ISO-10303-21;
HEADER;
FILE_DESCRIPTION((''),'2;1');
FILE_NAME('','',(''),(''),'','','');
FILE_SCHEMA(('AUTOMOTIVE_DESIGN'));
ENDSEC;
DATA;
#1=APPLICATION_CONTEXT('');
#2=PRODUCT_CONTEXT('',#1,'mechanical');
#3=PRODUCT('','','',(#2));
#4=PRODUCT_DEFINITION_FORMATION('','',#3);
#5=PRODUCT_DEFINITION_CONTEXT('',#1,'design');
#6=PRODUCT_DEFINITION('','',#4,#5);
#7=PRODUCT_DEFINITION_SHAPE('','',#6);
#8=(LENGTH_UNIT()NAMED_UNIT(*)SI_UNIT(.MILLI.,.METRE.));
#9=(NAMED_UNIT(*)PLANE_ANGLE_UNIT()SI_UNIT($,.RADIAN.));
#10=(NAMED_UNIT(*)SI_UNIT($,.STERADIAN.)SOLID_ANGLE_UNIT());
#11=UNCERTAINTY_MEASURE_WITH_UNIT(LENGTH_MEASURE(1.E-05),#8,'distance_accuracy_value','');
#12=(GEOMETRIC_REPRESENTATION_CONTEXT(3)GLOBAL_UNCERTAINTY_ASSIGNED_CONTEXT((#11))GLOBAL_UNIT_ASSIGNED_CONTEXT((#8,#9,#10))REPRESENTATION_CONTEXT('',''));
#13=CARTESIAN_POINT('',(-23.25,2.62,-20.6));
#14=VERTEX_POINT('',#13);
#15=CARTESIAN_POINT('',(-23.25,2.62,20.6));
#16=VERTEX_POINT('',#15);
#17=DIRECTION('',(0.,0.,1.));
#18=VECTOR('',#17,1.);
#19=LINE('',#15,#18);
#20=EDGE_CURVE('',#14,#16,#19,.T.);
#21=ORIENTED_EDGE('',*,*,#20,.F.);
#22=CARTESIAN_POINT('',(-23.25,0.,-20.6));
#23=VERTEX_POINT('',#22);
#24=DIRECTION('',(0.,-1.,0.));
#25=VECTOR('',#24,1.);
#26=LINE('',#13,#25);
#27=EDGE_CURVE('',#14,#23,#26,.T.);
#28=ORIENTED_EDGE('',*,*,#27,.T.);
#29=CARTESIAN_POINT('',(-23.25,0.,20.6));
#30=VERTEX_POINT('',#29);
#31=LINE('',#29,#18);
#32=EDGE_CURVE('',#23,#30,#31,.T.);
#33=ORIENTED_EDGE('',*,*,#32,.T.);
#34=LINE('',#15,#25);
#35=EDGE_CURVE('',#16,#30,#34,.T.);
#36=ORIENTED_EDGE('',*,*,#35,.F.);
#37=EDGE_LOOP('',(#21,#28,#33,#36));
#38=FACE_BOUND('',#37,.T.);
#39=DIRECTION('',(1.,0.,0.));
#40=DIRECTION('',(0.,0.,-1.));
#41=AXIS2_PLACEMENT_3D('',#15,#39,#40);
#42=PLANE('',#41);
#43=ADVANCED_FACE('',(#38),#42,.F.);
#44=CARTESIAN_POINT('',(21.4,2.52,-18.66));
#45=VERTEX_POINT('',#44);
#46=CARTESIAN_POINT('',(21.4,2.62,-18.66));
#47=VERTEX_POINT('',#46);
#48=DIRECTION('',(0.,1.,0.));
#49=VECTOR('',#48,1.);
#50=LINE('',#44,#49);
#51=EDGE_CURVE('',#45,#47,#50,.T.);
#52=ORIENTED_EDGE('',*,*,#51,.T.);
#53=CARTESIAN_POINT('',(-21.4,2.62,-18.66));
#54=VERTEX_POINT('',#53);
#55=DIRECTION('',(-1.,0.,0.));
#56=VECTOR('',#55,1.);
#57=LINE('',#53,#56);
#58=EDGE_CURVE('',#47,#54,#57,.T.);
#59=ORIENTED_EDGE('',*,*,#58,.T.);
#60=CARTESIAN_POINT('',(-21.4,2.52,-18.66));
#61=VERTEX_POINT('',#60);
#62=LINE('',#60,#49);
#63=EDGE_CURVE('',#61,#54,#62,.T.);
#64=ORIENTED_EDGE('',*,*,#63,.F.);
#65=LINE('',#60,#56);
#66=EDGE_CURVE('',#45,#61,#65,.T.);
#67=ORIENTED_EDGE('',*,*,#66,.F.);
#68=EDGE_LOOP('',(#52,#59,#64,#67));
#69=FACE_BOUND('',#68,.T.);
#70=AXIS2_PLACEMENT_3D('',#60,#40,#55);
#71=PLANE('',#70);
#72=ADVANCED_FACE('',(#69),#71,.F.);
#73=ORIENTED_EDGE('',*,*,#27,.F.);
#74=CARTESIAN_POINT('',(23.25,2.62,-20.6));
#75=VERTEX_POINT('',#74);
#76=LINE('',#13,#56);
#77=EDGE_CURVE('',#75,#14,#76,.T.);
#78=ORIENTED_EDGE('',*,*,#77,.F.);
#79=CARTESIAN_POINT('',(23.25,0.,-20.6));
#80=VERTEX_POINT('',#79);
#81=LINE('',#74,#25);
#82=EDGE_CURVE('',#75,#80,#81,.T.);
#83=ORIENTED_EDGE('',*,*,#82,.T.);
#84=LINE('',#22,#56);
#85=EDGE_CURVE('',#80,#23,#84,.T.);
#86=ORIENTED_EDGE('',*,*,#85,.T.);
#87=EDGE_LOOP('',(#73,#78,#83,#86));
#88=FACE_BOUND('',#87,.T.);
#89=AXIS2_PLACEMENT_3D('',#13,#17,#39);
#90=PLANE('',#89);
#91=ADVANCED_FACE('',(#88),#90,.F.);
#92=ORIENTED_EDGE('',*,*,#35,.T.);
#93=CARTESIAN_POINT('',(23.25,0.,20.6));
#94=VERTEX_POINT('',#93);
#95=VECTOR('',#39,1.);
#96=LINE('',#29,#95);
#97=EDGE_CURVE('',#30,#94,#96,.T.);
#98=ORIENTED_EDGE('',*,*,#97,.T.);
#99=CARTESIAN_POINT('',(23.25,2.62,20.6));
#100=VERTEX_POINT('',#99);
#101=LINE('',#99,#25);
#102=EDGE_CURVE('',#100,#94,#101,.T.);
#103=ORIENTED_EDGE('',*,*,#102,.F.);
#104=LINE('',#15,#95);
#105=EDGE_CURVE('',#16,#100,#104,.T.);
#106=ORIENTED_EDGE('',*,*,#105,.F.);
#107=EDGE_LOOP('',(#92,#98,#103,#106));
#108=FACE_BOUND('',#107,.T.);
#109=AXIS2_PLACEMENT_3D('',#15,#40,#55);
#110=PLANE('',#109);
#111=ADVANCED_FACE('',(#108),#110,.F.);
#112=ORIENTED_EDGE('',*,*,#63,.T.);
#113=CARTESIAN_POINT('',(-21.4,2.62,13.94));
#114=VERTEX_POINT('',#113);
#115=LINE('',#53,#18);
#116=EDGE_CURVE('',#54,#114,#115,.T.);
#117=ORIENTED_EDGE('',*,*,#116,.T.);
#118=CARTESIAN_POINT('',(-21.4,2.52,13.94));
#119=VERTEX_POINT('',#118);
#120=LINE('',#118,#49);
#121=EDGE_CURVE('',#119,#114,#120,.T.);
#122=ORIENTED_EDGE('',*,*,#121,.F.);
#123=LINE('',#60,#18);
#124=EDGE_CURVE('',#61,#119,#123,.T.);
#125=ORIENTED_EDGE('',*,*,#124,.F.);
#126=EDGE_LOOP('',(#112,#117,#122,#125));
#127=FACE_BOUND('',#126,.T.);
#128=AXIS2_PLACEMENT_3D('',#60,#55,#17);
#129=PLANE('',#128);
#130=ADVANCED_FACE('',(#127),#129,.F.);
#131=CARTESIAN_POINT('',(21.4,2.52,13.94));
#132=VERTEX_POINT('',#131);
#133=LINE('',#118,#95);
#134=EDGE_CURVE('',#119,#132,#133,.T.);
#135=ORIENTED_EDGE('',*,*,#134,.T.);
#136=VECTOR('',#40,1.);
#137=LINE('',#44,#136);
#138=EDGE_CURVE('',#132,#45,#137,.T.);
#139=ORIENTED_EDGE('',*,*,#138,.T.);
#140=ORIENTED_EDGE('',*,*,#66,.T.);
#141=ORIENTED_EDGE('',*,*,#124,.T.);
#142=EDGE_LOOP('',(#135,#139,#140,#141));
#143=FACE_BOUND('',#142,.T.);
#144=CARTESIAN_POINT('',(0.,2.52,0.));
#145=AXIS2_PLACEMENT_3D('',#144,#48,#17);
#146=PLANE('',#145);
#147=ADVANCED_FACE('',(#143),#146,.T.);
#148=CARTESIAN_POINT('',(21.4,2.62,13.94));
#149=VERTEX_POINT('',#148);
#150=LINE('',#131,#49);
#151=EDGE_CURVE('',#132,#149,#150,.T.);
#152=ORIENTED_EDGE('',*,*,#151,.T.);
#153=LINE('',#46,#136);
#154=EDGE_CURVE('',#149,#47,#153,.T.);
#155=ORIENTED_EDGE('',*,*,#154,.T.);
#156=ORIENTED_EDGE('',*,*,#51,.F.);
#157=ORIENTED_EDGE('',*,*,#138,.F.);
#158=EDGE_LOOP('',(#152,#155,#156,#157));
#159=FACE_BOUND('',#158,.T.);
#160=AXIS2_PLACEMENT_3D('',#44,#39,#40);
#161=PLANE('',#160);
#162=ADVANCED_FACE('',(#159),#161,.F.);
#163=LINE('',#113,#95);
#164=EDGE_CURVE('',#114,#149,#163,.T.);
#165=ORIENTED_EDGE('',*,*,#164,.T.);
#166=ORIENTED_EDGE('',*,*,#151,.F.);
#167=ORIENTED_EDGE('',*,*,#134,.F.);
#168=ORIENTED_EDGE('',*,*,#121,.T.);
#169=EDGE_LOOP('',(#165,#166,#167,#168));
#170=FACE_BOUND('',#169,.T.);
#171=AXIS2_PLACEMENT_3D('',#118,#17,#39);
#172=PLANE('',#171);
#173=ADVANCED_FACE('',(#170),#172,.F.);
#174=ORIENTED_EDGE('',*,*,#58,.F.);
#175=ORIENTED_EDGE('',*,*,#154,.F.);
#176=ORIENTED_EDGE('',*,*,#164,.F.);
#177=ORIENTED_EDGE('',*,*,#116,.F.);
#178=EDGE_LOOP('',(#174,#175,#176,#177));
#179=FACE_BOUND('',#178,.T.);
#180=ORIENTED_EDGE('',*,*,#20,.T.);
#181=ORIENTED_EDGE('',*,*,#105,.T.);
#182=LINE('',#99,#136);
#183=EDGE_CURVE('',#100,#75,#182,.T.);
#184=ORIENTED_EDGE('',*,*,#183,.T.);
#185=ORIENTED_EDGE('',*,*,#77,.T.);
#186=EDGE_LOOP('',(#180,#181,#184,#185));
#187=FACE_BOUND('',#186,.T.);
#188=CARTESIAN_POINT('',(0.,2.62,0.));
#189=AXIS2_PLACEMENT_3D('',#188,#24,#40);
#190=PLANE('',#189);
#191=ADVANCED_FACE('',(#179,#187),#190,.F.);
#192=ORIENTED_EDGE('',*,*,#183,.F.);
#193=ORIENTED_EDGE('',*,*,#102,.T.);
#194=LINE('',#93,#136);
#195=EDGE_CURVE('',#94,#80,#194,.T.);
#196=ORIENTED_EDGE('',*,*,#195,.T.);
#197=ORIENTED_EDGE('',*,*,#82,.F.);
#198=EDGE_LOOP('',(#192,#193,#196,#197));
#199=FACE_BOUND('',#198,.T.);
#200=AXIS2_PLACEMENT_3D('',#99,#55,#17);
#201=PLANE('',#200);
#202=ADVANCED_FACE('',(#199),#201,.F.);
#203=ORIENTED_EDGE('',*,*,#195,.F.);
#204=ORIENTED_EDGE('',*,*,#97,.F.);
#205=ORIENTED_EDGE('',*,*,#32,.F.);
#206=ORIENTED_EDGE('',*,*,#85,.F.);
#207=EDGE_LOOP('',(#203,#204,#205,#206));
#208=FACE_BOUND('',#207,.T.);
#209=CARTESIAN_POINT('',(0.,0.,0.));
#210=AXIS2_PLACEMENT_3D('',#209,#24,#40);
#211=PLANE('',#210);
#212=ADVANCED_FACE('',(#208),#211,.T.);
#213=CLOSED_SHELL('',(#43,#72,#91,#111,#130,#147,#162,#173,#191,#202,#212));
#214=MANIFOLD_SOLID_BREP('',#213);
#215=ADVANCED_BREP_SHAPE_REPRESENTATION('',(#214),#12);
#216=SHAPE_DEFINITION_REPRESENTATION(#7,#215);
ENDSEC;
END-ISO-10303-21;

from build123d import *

# Parameters (mm, degrees)
SKETCH1_W           = 46.5
SKETCH1_H           = 41.2
BOSS_EXTRUDE1_DEPTH = 2.62
SKETCH2_W           = 42.8
SKETCH2_H           = 32.6
CUT_EXTRUDE1_DEPTH  = 0.1


with BuildPart() as part:
    # Sketch1 → Boss-Extrude1 (new body)
    with BuildSketch(Plane(origin=(0, 0, 0), x_dir=(1, 0, 0), z_dir=(0, 1, 0))):
        Rectangle(SKETCH1_W, SKETCH1_H)
    extrude(amount=BOSS_EXTRUDE1_DEPTH)

    # Sketch2 → Cut-Extrude1 (cut)
    with BuildSketch(Plane(origin=(0, 2.62, 0), x_dir=(1, 0, 0), z_dir=(0, 1, 0))):
        with Locations((0, 2.36)):
            Rectangle(SKETCH2_W, SKETCH2_H)
    extrude(amount=-CUT_EXTRUDE1_DEPTH, mode=Mode.SUBTRACT)


solid = part.part
